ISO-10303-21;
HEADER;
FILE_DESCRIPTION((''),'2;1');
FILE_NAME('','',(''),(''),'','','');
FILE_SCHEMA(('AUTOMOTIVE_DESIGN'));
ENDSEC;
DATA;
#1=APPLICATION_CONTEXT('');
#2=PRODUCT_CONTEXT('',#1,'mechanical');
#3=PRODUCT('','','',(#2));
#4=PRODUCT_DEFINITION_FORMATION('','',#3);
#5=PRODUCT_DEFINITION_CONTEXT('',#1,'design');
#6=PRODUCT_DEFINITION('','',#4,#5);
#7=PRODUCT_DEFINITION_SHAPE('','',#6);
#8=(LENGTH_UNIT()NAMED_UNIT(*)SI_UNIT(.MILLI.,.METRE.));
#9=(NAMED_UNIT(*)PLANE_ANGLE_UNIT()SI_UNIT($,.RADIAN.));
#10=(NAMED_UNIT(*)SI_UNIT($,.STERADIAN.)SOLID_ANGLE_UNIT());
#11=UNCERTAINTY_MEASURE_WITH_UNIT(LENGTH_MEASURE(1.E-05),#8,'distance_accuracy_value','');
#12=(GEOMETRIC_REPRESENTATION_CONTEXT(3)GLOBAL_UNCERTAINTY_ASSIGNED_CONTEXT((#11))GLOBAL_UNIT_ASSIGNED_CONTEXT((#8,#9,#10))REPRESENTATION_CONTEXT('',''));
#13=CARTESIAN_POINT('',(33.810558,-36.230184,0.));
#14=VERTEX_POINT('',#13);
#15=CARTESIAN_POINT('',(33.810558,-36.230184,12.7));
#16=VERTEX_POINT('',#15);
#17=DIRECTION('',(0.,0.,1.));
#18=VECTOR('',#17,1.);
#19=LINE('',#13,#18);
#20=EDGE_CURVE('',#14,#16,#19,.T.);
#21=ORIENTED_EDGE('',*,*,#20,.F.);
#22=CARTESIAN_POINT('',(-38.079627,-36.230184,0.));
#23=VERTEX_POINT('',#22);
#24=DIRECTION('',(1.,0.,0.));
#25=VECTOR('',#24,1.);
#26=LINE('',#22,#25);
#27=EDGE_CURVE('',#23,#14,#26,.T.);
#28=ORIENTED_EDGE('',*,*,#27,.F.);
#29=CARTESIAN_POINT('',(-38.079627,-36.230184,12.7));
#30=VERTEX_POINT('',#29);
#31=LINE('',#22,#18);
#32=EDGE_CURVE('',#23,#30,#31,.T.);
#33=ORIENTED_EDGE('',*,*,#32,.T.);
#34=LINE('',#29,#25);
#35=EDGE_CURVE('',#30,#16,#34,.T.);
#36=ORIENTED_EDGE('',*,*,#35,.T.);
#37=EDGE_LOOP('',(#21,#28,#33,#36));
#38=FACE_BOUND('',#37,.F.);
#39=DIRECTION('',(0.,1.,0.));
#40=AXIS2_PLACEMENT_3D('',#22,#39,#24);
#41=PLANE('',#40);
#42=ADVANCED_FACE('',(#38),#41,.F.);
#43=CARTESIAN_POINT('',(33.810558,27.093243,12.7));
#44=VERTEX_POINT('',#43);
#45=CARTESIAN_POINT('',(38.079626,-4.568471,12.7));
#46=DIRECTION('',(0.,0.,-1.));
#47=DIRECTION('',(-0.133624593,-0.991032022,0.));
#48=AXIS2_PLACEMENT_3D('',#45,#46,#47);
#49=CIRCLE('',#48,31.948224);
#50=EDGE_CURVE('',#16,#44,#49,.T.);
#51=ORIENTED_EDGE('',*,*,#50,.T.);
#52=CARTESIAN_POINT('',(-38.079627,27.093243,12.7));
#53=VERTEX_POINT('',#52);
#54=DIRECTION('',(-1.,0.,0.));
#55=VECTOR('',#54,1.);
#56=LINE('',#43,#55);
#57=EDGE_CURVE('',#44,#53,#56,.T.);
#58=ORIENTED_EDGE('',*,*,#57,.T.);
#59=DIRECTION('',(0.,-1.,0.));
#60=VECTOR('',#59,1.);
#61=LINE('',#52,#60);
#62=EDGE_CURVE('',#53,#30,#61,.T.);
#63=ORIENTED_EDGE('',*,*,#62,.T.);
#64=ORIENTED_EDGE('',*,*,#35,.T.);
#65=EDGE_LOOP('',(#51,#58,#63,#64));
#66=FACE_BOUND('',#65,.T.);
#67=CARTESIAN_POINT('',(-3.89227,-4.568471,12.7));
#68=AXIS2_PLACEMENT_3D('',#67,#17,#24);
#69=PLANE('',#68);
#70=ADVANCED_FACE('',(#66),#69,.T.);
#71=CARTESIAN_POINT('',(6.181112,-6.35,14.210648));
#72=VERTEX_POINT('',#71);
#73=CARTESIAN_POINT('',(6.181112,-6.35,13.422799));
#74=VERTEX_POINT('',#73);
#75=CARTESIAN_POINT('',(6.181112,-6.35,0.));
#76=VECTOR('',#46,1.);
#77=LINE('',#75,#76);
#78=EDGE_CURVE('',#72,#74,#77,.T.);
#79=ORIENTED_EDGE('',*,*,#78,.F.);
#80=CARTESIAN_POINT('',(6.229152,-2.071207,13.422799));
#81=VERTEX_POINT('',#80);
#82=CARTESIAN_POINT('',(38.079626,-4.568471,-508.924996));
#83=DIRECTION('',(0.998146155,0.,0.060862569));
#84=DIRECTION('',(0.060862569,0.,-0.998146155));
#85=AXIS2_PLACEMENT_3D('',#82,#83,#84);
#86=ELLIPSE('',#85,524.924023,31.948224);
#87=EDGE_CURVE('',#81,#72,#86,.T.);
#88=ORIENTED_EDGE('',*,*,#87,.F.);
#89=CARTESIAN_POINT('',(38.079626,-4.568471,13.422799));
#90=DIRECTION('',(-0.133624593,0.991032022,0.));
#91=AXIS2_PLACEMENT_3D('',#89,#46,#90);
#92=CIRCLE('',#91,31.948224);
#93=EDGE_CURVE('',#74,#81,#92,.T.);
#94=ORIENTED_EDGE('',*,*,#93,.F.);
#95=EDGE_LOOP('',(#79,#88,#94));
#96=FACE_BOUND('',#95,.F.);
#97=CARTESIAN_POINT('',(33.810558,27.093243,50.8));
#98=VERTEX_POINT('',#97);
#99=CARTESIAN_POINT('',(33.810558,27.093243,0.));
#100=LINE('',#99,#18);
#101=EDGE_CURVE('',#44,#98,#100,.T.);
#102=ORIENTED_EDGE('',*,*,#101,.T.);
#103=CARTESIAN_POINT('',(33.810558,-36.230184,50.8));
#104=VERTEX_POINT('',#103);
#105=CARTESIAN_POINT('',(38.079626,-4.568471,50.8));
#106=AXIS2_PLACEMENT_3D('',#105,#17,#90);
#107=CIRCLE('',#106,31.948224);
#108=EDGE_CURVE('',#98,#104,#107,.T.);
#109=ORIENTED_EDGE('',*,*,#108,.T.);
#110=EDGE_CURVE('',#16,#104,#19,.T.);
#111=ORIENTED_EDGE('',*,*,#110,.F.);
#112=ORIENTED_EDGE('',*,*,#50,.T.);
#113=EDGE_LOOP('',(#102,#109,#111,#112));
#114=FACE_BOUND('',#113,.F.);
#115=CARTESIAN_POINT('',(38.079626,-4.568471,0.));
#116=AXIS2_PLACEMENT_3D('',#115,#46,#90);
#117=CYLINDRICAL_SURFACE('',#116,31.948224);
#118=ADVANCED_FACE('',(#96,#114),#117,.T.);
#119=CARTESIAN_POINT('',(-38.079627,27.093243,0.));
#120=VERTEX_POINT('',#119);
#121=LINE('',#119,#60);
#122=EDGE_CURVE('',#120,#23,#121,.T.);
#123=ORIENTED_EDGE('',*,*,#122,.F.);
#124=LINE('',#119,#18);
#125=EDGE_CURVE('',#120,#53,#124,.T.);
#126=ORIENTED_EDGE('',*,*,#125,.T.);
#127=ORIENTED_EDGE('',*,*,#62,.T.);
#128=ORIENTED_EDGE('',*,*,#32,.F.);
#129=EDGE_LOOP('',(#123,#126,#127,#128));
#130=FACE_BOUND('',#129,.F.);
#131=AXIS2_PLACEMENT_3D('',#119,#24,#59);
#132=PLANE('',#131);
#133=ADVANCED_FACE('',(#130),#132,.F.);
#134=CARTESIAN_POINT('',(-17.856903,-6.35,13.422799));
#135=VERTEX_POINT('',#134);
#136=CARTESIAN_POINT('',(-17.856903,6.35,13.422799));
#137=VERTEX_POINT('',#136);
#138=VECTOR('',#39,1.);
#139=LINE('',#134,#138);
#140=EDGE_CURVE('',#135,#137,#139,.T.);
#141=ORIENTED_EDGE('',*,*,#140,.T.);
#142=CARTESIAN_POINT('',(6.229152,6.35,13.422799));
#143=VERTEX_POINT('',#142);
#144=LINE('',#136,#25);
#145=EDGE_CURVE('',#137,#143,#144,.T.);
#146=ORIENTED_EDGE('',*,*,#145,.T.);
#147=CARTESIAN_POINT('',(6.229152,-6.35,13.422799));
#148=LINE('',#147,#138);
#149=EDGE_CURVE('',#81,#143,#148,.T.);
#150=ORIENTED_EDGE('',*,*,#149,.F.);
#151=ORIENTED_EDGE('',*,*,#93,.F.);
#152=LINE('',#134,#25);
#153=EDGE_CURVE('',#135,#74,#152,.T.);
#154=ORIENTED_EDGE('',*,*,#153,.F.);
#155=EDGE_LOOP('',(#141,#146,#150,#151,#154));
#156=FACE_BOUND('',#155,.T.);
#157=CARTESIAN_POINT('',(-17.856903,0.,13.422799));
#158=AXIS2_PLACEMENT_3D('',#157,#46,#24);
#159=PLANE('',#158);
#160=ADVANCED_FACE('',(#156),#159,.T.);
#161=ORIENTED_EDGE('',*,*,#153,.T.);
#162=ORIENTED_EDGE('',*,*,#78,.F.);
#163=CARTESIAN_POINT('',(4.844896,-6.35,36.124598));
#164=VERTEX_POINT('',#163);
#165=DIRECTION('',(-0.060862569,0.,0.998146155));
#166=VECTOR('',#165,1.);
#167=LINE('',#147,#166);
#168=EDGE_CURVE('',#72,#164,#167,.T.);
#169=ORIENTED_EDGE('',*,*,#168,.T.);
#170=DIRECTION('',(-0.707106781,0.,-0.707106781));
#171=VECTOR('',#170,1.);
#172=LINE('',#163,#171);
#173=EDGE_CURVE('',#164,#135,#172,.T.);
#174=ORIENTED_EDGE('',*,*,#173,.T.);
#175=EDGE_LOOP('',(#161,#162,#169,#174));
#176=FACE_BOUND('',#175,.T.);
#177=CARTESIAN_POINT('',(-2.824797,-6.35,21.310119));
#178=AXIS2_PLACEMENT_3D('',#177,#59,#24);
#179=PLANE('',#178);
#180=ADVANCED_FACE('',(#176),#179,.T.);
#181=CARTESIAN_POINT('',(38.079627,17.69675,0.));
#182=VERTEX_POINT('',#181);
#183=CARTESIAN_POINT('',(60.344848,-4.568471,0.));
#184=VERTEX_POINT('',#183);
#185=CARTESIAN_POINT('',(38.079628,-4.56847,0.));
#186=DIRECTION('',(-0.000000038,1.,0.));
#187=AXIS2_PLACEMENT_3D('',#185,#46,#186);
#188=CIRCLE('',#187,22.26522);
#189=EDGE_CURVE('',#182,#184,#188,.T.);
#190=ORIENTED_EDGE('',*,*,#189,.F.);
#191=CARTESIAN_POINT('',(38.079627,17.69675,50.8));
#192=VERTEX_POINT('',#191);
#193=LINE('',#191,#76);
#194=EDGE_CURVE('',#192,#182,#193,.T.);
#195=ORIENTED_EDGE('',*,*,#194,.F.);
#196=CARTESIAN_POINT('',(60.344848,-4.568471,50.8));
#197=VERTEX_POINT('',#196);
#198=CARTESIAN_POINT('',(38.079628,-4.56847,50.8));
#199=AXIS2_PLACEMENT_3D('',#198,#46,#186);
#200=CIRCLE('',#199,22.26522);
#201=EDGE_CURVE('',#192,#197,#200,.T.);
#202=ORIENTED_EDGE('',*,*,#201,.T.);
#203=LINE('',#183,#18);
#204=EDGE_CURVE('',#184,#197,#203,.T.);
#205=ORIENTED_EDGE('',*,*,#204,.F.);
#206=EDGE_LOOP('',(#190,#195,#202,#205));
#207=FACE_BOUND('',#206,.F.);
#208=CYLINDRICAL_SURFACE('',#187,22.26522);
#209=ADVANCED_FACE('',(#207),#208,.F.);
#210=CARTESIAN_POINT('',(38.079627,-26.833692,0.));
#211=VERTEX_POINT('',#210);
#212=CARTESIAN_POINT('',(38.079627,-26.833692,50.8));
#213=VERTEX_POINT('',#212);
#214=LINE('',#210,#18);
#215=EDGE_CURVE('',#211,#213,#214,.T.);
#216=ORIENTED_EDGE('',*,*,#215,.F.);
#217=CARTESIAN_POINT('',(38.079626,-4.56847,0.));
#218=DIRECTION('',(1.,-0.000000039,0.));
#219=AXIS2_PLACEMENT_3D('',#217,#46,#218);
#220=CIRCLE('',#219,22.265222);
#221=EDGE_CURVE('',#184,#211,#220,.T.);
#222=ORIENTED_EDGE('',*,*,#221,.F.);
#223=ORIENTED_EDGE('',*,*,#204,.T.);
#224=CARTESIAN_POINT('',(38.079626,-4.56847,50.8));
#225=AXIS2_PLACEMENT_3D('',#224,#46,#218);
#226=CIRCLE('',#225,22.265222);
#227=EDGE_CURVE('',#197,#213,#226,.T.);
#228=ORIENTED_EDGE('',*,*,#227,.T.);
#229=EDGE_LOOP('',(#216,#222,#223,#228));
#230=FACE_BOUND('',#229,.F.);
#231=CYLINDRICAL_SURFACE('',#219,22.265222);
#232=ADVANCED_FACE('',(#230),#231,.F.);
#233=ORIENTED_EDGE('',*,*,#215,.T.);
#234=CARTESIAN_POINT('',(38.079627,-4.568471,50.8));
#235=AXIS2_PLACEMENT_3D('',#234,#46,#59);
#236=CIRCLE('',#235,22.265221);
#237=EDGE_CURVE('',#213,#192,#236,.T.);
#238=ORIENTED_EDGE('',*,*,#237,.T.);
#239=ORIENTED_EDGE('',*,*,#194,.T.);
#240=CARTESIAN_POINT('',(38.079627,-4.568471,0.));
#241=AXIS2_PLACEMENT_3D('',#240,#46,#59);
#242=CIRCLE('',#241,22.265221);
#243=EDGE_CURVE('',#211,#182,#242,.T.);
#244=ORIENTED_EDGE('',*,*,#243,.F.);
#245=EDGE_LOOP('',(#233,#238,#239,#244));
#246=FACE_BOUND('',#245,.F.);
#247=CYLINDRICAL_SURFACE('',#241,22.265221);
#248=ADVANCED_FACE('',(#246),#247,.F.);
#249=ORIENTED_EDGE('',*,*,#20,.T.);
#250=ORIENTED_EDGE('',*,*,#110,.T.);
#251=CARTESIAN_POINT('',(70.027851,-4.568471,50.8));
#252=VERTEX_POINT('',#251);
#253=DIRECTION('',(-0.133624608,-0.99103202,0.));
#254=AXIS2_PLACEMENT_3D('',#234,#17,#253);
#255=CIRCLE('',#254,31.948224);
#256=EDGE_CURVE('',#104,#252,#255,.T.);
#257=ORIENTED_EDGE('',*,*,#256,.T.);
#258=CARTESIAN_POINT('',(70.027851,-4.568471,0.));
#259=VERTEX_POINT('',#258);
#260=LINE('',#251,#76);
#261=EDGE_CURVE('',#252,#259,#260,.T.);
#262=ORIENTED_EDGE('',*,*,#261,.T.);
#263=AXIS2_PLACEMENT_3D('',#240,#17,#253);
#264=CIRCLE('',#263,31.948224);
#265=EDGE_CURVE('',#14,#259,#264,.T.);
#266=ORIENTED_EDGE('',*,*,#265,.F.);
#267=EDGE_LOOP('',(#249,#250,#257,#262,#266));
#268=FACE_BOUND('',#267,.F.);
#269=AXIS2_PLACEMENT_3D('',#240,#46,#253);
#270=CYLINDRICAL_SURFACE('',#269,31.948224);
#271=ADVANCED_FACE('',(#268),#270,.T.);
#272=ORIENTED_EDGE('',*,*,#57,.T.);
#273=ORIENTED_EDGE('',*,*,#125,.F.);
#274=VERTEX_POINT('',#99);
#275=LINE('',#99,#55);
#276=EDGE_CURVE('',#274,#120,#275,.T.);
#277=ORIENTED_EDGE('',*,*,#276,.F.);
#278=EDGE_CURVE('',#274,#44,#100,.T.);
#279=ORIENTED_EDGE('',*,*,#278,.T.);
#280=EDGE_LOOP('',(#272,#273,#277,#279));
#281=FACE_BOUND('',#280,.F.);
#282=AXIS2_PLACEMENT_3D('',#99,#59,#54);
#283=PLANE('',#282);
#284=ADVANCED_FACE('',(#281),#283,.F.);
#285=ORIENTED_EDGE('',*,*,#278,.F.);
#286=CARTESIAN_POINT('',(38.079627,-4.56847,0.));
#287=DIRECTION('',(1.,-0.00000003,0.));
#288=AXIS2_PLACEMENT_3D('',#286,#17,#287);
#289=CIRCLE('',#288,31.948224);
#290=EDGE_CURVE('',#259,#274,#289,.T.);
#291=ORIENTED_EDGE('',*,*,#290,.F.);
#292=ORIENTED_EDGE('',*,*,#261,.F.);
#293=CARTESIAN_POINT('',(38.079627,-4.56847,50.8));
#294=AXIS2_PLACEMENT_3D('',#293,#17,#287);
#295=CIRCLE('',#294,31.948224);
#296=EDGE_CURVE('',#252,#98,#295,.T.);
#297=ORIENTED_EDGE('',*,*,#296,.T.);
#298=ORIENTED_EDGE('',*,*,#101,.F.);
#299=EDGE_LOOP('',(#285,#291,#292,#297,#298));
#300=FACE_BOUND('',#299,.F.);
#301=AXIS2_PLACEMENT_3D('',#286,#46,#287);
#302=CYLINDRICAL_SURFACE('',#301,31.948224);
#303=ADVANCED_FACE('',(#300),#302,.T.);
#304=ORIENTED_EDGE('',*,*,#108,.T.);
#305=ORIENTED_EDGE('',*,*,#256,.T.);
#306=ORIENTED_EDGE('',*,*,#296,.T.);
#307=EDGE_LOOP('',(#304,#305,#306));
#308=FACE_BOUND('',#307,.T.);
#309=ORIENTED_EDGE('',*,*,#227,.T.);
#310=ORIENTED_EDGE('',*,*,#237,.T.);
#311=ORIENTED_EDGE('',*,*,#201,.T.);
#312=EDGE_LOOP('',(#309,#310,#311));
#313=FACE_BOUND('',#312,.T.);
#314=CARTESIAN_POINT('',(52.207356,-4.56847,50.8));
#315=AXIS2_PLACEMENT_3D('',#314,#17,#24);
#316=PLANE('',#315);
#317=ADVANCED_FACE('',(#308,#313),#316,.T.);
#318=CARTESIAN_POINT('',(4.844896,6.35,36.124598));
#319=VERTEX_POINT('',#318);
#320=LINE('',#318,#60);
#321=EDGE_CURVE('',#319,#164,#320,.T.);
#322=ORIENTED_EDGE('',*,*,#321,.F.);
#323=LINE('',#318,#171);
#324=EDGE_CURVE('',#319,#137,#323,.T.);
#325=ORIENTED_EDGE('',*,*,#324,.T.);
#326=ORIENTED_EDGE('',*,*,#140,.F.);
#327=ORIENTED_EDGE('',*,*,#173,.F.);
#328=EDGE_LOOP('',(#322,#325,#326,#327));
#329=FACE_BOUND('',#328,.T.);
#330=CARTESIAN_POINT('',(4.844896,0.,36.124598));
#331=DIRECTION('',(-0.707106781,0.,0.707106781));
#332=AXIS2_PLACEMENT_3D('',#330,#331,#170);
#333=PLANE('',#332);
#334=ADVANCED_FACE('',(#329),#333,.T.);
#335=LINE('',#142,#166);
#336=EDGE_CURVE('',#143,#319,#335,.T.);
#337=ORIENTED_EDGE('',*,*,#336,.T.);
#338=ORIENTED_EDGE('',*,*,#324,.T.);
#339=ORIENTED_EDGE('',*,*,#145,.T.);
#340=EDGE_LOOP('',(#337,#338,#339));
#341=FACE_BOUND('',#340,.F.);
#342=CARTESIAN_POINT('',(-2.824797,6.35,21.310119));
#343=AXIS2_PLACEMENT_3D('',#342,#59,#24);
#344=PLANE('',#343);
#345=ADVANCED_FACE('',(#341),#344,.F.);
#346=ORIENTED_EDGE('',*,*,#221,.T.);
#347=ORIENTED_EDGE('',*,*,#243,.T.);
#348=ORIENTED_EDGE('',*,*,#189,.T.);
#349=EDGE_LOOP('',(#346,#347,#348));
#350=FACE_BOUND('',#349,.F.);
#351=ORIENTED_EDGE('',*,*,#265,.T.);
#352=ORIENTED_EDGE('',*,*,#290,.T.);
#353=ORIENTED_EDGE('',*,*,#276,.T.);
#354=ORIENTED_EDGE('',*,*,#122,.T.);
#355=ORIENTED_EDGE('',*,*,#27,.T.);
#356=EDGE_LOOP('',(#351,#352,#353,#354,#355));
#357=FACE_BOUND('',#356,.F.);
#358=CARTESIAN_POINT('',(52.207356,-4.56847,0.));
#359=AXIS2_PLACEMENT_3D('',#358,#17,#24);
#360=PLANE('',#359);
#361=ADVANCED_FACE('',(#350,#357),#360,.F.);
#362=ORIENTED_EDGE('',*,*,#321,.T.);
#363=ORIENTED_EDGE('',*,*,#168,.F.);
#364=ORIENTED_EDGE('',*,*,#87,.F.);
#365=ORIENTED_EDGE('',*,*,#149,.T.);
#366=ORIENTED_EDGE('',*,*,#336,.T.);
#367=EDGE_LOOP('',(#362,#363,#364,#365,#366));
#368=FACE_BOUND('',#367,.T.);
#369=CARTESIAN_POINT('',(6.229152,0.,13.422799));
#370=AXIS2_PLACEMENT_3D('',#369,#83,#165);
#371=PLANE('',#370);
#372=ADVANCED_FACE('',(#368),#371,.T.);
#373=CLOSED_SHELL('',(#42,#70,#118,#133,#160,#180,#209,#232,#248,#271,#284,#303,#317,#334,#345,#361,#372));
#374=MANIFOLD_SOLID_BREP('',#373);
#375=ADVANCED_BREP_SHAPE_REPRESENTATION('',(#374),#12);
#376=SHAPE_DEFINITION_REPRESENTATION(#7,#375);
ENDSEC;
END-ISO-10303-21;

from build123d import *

# Parameters (mm, degrees)
F1_DEPTH = 50.8
F2_DEPTH = 12.7
F4_DEPTH = 6.35


with BuildPart() as f1:
    # F0 (on Top) → F1 (new body)
    with BuildSketch(Plane.XY):
        with BuildLine():
            Line((33.810558, 27.093243), (38.079627, 27.093243))
            Line((38.079627, 27.093243), (38.079627, 17.69675))
            ThreePointArc((38.079627, 17.69675), (53.823516, 11.175418), (60.344848, -4.568471))
            ThreePointArc((60.344848, -4.568471), (53.823516, -20.312359), (38.079627, -26.833692))
            Line((38.079627, -26.833692), (38.079627, -36.230184))
            Line((38.079627, -36.230184), (33.810558, -36.230184))
            ThreePointArc((33.810558, -36.230184), (59.106989, -28.62131), (70.027851, -4.568471))
            ThreePointArc((70.027851, -4.568471), (59.106989, 19.484369), (33.810558, 27.093243))
        make_face()
        with BuildLine():
            Line((38.079627, 17.69675), (38.079627, 27.093243))
            Line((38.079627, 27.093243), (33.810558, 27.093243))
            ThreePointArc((33.810558, 27.093243), (6.131402, -4.568471), (33.810558, -36.230184))
            Line((33.810558, -36.230184), (38.079627, -36.230184))
            Line((38.079627, -36.230184), (38.079627, -26.833692))
            ThreePointArc((38.079627, -26.833692), (15.814406, -4.568471), (38.079627, 17.69675))
        make_face()
    extrude(amount=F1_DEPTH)

    # F0 (on Top) → F2 (join)
    with BuildSketch(Plane.XY):
        with BuildLine():
            Line((33.810558, 27.093243), (38.079627, 27.093243))
            Line((38.079627, 27.093243), (38.079627, 17.69675))
            ThreePointArc((38.079627, 17.69675), (53.823516, 11.175418), (60.344848, -4.568471))
            ThreePointArc((60.344848, -4.568471), (53.823516, -20.312359), (38.079627, -26.833692))
            Line((38.079627, -26.833692), (38.079627, -36.230184))
            Line((38.079627, -36.230184), (33.810558, -36.230184))
            ThreePointArc((33.810558, -36.230184), (59.106989, -28.62131), (70.027851, -4.568471))
            ThreePointArc((70.027851, -4.568471), (59.106989, 19.484369), (33.810558, 27.093243))
        make_face()
        with BuildLine():
            ThreePointArc((33.810558, -36.230184), (6.131402, -4.568471), (33.810558, 27.093243))
            Line((33.810558, 27.093243), (-38.079627, 27.093243))
            Line((-38.079627, 27.093243), (-38.079627, -36.230184))
            Line((-38.079627, -36.230184), (33.810558, -36.230184))
        make_face()
    extrude(amount=F2_DEPTH)

    # F3 (on Front) → F4 (join, symmetric)
    with BuildSketch(Plane.XZ):
        Polygon((6.229152, 13.422799), (4.844896, 36.124598), (-17.856903, 13.422799), align=None)
    extrude(amount=F4_DEPTH, both=True)


solid = f1.part
